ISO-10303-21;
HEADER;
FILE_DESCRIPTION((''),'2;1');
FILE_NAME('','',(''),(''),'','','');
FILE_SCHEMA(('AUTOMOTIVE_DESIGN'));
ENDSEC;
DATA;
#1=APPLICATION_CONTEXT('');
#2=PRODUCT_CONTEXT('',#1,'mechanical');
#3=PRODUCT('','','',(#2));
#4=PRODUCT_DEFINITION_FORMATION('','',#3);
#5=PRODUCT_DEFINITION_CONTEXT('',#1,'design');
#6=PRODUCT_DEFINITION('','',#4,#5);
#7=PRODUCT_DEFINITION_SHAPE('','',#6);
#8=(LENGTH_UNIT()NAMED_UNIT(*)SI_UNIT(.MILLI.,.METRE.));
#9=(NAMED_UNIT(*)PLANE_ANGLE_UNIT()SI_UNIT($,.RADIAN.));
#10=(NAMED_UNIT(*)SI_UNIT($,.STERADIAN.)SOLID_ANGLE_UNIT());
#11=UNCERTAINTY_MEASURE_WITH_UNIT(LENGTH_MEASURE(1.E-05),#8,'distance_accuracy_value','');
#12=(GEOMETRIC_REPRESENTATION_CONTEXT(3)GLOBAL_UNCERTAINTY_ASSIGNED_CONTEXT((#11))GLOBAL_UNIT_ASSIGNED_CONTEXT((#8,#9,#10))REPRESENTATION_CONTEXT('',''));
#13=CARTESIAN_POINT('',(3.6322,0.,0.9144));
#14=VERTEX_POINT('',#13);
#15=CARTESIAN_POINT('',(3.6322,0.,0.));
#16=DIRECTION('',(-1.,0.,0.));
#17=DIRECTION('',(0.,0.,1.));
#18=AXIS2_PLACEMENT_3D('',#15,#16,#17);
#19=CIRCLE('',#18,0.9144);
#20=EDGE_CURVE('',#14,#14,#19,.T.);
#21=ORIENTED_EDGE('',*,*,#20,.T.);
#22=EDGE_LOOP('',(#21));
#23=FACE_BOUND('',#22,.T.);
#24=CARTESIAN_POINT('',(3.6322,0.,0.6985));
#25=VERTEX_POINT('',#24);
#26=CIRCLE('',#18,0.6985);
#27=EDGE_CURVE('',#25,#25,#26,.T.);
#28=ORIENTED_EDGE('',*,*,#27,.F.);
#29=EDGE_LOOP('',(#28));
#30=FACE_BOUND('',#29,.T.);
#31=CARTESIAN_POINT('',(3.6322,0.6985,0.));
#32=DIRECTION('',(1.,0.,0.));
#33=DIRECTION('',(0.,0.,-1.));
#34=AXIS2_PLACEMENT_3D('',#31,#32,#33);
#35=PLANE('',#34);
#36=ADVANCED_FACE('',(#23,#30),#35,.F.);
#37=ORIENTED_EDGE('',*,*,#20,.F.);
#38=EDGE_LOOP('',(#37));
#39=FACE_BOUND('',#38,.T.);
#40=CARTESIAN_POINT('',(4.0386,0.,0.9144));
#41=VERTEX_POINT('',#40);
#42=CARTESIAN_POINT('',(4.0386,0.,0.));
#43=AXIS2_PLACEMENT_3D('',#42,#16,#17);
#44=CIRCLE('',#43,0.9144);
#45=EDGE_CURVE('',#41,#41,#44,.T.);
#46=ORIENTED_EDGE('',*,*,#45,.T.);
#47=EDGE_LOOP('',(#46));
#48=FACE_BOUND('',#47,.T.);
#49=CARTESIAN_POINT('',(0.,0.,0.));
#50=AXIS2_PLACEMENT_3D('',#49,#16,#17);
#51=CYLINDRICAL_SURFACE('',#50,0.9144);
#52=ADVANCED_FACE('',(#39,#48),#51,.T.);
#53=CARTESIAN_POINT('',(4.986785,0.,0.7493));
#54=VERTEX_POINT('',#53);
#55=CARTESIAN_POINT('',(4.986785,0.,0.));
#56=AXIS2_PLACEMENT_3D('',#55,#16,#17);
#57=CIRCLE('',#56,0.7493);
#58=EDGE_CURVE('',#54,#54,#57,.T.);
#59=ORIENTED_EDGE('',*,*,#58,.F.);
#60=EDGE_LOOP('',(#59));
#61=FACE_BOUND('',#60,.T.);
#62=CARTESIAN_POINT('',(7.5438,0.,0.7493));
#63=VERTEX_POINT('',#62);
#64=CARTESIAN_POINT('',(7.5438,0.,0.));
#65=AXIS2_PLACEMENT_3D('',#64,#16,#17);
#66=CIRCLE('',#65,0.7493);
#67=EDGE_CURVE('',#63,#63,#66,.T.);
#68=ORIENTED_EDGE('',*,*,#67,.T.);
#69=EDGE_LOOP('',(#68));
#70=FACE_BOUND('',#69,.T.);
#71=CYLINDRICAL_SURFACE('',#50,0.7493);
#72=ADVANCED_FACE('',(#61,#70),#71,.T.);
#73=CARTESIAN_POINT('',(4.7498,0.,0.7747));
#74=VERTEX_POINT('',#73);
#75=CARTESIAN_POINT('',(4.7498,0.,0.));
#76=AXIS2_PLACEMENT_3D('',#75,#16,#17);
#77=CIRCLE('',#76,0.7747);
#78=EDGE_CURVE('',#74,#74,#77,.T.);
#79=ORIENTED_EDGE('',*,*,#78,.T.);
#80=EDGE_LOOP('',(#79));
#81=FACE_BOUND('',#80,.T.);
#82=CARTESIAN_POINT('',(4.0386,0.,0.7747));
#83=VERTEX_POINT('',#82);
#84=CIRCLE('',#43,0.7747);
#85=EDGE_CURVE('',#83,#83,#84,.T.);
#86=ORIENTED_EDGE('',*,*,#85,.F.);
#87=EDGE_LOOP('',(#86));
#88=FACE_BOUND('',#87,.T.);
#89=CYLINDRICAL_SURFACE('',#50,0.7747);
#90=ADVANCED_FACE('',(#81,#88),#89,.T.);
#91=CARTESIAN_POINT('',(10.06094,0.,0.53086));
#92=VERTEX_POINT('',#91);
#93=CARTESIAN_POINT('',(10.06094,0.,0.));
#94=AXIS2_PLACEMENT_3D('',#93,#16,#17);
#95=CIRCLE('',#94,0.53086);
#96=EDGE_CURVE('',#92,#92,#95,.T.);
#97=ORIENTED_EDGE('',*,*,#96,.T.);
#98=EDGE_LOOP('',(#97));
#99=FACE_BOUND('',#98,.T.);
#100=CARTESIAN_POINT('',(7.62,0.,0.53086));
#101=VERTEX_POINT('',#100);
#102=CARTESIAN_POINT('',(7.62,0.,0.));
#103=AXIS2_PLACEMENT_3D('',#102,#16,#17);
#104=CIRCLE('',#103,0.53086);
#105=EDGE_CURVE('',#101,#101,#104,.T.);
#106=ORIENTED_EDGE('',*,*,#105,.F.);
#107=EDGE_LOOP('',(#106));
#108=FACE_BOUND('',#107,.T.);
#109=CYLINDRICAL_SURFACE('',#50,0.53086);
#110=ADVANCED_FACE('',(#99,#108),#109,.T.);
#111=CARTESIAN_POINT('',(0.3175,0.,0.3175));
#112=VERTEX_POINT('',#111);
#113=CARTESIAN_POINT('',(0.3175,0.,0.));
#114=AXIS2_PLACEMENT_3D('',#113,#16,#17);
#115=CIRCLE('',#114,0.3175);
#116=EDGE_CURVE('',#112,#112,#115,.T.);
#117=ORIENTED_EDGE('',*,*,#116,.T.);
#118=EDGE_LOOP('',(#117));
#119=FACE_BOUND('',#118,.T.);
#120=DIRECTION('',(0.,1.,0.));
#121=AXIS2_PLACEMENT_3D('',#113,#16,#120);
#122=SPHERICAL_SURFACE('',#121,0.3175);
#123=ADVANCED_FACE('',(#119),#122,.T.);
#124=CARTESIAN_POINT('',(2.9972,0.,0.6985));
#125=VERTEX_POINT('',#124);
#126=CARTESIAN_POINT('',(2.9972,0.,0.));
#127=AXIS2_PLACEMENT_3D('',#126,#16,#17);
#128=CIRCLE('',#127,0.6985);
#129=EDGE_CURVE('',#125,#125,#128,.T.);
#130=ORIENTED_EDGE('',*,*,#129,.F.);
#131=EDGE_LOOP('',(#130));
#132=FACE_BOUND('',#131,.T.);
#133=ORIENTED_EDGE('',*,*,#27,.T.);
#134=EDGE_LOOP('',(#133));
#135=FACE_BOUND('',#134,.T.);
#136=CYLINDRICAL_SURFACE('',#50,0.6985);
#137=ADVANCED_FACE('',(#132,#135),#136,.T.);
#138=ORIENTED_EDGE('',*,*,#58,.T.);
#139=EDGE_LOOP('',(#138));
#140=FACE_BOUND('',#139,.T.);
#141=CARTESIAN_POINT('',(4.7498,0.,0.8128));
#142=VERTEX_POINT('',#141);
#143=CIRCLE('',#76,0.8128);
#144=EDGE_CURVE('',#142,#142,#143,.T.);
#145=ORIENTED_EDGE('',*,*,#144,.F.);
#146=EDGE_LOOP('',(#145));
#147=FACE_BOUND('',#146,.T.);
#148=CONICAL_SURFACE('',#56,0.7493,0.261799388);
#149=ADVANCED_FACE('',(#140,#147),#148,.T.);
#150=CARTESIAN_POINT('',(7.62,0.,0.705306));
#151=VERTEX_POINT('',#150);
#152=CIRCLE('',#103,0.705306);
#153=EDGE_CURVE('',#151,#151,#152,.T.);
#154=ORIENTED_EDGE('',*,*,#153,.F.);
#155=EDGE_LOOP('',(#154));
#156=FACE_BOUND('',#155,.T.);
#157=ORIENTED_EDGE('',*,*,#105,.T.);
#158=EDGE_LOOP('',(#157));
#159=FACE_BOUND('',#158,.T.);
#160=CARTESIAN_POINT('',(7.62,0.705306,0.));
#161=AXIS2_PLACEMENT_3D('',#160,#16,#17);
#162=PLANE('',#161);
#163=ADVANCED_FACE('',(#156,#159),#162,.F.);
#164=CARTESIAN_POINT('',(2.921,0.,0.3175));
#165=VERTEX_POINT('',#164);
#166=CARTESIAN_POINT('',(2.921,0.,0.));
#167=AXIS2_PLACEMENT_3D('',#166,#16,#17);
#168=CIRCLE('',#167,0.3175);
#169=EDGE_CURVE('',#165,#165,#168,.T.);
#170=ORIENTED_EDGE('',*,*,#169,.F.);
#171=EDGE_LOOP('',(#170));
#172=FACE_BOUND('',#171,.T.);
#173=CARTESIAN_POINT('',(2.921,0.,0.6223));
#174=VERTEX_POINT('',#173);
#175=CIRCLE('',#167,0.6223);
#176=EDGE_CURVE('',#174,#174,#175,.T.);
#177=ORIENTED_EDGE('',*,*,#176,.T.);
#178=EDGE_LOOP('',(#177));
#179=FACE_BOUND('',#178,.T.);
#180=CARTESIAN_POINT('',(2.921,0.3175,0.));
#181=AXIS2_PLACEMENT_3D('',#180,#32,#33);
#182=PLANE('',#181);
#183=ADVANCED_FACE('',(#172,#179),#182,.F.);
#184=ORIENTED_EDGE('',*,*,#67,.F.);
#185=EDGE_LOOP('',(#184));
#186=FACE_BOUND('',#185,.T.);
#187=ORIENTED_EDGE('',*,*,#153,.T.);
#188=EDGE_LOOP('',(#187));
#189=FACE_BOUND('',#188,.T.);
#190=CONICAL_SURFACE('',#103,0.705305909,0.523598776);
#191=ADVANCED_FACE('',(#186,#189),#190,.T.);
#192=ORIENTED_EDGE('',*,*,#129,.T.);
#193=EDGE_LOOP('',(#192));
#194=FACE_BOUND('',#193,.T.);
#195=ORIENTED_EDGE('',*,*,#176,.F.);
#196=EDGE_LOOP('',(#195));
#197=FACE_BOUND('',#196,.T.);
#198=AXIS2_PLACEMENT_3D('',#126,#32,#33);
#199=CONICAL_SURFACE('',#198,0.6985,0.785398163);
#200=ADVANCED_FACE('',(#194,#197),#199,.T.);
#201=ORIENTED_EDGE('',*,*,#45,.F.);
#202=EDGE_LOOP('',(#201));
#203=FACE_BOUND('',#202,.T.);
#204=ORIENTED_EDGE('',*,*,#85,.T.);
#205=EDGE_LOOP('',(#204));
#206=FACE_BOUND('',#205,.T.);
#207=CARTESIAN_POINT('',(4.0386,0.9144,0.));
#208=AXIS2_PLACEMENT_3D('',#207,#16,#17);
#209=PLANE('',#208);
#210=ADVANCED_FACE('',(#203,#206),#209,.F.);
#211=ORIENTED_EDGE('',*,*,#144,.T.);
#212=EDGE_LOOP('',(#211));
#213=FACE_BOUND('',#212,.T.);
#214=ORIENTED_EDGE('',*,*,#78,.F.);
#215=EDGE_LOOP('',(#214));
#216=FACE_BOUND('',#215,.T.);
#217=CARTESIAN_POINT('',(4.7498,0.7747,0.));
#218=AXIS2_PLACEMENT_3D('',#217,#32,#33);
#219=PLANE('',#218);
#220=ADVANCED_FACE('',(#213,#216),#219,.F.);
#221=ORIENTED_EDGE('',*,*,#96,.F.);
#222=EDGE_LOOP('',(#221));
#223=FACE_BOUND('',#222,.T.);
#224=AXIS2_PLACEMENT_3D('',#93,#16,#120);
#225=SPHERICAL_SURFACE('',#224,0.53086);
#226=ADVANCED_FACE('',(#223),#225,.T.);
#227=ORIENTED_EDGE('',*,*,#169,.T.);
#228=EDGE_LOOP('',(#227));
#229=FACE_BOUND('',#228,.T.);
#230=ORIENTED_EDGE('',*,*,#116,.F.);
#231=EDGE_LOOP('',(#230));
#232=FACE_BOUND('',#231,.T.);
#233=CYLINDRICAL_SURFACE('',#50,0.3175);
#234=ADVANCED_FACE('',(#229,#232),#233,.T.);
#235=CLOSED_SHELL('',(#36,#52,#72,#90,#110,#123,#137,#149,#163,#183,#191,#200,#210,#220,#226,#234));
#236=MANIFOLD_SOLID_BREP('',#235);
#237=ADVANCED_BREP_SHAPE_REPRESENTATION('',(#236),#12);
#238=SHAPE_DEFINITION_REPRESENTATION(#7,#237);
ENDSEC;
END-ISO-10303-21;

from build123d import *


with BuildPart() as part:
    # Sketch1 → Revolve1 (revolve)
    with BuildSketch(Plane.XY, mode=Mode.PRIVATE) as revolve1_sk:
        with BuildLine():
            Line((0, 0), (10.5918, 0))
            ThreePointArc((10.5918, 0), (10.436314706, 0.375374706), (10.06094, 0.53086))
            Line((10.06094, 0.53086), (7.62, 0.53086))
            Line((7.62, 0.53086), (7.62, 0.705305909))
            Line((7.62, 0.705305909), (7.5438, 0.7493))
            Line((7.5438, 0.7493), (4.986785226, 0.7493))
            Line((4.986785226, 0.7493), (4.7498, 0.8128))
            Line((4.7498, 0.8128), (4.7498, 0.7747))
            Line((4.7498, 0.7747), (4.0386, 0.7747))
            Line((4.0386, 0.7747), (4.0386, 0.9144))
            Line((4.0386, 0.9144), (3.6322, 0.9144))
            Line((3.6322, 0.9144), (3.6322, 0.6985))
            Line((3.6322, 0.6985), (2.9972, 0.6985))
            Line((2.9972, 0.6985), (2.921, 0.6223))
            Line((2.921, 0.6223), (2.921, 0.3175))
            Line((2.921, 0.3175), (0.3175, 0.3175))
            ThreePointArc((0.3175, 0.3175), (0.092993597, 0.224506403), (0, 0))
        make_face()
    revolve(revolve1_sk.sketch.rotate(Axis((0, 0, 0), (1, 0, 0)), 90), axis=Axis((0, 0, 0), (1, 0, 0)))


solid = part.part
